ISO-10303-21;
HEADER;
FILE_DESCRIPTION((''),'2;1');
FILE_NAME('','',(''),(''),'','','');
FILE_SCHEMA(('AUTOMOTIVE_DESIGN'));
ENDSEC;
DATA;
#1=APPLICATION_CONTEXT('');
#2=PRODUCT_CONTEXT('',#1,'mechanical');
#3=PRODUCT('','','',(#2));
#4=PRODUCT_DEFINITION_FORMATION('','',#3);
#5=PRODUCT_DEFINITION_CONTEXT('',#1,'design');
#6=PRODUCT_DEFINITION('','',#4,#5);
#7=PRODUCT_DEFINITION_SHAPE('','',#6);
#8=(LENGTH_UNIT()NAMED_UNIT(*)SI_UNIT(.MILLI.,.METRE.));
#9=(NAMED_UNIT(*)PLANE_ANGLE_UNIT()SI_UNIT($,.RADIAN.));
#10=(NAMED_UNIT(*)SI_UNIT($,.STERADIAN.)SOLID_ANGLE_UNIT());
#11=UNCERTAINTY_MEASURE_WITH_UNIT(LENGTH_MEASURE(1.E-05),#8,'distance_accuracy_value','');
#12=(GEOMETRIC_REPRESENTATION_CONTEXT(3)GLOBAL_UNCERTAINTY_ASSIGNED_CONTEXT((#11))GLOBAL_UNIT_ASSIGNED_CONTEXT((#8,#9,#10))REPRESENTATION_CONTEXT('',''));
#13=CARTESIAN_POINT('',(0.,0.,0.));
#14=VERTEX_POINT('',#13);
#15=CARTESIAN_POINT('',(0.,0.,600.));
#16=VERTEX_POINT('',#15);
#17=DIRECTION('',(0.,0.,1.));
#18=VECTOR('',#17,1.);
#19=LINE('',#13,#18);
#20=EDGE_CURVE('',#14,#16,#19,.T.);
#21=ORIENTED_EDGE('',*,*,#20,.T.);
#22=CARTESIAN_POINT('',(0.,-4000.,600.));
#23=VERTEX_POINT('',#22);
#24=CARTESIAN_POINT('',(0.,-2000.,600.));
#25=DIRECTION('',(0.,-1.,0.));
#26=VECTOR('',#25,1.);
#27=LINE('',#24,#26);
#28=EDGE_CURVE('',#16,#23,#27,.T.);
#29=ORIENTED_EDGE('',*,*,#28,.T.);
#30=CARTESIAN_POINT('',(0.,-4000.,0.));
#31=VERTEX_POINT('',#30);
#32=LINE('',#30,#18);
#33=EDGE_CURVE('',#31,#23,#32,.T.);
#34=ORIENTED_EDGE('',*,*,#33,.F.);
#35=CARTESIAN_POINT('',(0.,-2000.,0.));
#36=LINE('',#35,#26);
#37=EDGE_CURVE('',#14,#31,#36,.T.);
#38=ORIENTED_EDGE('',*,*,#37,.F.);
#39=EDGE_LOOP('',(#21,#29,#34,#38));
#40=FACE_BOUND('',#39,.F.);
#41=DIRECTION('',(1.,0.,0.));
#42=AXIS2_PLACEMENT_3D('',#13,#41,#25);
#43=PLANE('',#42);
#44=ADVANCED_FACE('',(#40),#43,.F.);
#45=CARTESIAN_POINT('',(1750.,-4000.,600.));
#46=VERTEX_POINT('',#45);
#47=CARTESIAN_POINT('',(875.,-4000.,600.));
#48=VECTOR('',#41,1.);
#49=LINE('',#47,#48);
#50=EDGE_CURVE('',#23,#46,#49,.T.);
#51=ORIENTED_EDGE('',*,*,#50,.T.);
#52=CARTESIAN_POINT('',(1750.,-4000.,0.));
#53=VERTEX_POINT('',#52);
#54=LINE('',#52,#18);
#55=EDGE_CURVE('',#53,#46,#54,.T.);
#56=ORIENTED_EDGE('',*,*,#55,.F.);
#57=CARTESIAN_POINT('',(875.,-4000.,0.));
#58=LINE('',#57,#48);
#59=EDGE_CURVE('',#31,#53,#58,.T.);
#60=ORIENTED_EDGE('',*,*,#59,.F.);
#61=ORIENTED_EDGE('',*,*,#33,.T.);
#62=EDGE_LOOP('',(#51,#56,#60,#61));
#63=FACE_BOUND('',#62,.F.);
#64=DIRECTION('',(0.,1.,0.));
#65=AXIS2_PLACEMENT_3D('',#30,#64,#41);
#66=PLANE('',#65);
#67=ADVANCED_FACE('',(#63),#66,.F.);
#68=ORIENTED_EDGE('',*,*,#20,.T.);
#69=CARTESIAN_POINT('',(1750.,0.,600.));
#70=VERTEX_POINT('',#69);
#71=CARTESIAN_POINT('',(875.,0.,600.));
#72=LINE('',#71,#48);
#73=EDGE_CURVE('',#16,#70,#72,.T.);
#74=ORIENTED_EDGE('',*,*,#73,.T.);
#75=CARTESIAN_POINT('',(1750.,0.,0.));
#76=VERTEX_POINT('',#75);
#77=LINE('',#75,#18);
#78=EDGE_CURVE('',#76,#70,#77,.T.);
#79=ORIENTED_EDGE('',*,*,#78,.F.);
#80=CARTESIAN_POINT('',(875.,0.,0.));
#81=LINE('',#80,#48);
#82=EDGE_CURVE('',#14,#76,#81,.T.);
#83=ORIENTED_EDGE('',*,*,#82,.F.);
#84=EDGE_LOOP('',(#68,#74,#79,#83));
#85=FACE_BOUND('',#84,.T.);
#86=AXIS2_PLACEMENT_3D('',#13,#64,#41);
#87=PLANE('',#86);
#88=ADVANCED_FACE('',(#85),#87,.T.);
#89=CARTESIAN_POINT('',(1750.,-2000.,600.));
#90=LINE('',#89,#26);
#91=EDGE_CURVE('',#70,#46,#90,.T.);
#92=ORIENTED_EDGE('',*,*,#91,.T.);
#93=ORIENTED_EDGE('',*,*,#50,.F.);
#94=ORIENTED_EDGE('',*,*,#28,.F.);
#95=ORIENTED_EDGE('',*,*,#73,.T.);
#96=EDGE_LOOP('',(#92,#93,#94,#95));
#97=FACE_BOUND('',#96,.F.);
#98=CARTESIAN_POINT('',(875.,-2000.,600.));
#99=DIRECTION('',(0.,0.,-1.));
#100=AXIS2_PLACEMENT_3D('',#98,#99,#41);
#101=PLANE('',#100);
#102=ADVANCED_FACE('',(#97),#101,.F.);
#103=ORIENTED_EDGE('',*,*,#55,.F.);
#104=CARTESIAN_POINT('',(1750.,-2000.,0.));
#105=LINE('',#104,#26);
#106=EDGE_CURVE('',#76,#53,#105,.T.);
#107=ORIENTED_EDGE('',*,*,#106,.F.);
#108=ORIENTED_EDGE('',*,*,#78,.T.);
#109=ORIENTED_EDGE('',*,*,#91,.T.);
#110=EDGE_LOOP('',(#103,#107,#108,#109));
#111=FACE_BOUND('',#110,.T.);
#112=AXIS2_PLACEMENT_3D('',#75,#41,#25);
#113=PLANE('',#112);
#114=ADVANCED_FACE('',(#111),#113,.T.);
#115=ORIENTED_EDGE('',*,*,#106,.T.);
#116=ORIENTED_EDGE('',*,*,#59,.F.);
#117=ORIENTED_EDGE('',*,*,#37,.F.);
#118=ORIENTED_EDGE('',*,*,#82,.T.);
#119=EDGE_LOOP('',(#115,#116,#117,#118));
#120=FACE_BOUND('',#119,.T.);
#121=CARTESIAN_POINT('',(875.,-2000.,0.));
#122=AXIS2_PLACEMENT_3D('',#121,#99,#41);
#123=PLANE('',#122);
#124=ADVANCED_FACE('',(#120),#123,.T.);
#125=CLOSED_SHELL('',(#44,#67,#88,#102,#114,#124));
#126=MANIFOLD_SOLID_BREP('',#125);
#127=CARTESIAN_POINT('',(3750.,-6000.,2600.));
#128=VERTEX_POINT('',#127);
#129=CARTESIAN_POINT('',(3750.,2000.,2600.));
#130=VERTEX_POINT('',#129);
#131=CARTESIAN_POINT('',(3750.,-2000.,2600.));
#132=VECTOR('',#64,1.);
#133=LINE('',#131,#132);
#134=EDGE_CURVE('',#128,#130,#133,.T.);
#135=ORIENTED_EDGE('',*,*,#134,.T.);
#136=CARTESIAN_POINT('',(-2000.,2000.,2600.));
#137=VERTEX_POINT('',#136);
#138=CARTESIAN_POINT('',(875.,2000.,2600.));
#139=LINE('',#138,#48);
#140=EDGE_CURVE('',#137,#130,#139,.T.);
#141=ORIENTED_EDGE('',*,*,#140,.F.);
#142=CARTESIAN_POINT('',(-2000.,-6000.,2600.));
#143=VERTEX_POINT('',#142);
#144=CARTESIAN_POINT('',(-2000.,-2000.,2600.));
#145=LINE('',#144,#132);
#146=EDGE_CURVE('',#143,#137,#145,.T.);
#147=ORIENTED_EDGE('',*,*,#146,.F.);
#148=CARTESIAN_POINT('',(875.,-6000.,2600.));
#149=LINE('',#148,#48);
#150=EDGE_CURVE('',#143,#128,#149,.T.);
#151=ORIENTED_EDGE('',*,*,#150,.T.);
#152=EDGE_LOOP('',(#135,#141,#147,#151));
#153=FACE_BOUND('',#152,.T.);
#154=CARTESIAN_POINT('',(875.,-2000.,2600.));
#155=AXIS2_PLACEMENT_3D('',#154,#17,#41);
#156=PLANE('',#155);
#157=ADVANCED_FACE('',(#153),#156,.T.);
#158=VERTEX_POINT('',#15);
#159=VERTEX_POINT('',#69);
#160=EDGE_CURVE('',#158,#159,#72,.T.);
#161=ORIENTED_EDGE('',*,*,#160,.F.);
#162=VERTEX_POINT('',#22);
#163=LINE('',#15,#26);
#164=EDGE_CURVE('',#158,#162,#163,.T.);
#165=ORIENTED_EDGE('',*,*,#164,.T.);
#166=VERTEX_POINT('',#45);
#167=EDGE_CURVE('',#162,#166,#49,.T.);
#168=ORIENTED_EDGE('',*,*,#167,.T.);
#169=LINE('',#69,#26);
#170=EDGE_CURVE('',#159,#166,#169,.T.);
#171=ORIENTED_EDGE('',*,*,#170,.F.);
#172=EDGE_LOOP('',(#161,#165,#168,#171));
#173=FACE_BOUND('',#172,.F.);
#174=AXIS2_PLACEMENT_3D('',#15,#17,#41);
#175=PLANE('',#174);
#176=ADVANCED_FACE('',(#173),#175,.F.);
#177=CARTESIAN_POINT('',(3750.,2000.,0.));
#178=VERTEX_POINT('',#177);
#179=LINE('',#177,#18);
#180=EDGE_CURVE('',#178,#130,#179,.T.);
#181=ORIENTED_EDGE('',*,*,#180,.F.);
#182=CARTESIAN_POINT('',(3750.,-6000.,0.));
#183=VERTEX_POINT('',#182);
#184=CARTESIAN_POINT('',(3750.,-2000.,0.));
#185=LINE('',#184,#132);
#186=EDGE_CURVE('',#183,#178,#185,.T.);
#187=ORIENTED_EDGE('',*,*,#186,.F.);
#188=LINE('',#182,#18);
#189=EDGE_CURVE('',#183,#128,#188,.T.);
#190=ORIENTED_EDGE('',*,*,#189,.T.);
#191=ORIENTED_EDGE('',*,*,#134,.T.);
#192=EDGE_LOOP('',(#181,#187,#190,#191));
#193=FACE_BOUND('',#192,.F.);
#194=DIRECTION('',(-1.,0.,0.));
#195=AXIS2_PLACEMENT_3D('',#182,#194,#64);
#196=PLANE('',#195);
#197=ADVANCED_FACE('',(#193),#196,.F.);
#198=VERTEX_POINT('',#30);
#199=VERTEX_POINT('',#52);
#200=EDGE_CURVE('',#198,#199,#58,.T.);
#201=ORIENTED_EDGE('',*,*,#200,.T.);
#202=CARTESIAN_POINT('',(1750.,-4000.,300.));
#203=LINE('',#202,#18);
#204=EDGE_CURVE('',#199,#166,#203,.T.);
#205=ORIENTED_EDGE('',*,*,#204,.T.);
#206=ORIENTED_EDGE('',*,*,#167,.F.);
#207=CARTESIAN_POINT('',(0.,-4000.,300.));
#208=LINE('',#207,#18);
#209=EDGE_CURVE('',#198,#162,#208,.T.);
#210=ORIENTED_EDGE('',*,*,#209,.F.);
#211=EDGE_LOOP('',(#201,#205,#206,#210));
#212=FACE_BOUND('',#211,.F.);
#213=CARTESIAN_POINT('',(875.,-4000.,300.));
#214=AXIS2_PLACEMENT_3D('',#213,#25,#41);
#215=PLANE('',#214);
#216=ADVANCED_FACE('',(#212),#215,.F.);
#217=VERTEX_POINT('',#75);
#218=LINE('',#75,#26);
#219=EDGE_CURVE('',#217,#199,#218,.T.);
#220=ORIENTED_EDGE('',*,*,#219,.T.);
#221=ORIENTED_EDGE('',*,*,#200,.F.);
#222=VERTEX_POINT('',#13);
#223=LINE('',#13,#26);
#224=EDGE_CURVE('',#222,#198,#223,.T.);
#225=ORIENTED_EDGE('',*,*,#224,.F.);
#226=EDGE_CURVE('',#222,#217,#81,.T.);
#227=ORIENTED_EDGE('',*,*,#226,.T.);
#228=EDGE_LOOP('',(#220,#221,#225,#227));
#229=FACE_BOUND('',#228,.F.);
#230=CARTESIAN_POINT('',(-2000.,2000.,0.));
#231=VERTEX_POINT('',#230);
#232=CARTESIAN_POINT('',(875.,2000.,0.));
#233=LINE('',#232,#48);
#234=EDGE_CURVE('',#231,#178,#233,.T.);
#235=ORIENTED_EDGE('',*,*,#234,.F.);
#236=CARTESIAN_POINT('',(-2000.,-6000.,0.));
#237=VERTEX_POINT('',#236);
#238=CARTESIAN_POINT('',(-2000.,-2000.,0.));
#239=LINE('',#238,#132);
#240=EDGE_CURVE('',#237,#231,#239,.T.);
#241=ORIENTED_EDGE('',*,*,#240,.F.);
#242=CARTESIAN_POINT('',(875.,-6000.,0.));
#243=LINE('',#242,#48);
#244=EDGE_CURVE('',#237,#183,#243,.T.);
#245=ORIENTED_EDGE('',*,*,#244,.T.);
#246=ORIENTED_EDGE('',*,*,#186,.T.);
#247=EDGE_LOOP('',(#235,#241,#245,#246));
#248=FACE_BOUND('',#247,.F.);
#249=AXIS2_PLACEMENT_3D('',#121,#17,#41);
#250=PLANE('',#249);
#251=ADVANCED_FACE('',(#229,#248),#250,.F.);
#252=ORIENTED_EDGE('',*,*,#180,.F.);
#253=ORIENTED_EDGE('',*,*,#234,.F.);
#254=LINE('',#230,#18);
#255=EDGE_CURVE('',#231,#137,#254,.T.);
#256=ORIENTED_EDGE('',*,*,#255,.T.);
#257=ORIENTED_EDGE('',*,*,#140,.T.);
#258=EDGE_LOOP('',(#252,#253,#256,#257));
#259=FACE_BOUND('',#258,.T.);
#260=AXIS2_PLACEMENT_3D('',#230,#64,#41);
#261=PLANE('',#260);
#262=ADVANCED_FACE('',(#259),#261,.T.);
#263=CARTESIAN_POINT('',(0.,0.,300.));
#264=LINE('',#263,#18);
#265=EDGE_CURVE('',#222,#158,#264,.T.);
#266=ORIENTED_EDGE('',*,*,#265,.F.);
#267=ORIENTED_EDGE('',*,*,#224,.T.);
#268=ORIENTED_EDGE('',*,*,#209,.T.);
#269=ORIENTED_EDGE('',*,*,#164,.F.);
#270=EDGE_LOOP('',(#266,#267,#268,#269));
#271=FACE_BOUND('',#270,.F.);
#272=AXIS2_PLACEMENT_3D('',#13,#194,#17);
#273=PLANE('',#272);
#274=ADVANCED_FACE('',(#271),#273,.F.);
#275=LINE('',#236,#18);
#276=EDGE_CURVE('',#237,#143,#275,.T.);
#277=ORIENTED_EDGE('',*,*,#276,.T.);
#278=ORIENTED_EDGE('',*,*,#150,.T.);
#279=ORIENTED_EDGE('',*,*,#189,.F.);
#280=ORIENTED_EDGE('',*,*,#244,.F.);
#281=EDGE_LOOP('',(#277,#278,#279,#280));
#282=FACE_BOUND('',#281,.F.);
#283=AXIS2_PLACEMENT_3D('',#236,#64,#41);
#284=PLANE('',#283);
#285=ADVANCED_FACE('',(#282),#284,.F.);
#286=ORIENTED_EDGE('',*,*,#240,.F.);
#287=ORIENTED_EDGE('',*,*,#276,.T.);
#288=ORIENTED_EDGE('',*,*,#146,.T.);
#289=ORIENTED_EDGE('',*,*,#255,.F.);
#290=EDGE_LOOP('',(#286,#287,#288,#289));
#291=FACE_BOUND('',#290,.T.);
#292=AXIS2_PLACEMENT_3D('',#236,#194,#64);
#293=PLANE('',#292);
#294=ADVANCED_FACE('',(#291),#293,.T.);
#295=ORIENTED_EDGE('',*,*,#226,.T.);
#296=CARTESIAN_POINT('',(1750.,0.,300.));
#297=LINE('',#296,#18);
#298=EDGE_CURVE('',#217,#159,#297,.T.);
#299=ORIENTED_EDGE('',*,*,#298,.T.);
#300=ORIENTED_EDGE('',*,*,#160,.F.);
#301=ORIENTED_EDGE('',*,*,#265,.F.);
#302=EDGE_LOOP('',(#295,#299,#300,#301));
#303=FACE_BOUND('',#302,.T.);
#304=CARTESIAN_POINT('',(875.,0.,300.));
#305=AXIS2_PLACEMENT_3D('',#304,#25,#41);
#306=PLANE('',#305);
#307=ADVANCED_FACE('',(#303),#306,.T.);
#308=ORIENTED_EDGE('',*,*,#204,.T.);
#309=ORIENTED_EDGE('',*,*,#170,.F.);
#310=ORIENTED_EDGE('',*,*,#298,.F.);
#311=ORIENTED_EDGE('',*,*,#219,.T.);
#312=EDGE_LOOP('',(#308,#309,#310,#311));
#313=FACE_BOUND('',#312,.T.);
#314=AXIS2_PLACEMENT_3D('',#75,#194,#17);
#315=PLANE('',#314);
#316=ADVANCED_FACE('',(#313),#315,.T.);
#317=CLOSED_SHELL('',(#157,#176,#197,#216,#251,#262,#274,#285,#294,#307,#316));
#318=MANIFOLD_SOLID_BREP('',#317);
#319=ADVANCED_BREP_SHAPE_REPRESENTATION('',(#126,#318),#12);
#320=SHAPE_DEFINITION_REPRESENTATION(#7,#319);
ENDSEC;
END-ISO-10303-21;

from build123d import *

# Parameters (mm, degrees)
F0_W     = 1750
F0_H     = 600
F1_DEPTH = 4000
F2_W     = 5750
F2_H     = 8000
F3_DEPTH = 2600
F5_W     = 1750
F5_H     = 4000
F6_DEPTH = 600


with BuildPart() as f1:
    # F0 (on Front) → F1 (new body)
    with BuildSketch(Plane.XZ):
        with Locations((875, 300)):
            Rectangle(F0_W, F0_H)
    extrude(amount=F1_DEPTH)


with BuildPart() as f3:
    # F2 (on Top) → F3 (new body)
    with BuildSketch(Plane.XY):
        with Locations((875, -2000)):
            Rectangle(F2_W, F2_H)
    extrude(amount=F3_DEPTH)

    # F4: cut F1
    add(f1.part, mode=Mode.SUBTRACT)


with BuildPart() as f6:
    # F5 (on face) → F6 (new body, through all)
    with BuildSketch(Plane(origin=(0, 0, 0), x_dir=(1, 0, 0), z_dir=(0, 0, -1))):
        with Locations((875, 2000)):
            Rectangle(F5_W, F5_H)
    extrude(amount=-F6_DEPTH)


solid = Compound([f3.part, f6.part])
